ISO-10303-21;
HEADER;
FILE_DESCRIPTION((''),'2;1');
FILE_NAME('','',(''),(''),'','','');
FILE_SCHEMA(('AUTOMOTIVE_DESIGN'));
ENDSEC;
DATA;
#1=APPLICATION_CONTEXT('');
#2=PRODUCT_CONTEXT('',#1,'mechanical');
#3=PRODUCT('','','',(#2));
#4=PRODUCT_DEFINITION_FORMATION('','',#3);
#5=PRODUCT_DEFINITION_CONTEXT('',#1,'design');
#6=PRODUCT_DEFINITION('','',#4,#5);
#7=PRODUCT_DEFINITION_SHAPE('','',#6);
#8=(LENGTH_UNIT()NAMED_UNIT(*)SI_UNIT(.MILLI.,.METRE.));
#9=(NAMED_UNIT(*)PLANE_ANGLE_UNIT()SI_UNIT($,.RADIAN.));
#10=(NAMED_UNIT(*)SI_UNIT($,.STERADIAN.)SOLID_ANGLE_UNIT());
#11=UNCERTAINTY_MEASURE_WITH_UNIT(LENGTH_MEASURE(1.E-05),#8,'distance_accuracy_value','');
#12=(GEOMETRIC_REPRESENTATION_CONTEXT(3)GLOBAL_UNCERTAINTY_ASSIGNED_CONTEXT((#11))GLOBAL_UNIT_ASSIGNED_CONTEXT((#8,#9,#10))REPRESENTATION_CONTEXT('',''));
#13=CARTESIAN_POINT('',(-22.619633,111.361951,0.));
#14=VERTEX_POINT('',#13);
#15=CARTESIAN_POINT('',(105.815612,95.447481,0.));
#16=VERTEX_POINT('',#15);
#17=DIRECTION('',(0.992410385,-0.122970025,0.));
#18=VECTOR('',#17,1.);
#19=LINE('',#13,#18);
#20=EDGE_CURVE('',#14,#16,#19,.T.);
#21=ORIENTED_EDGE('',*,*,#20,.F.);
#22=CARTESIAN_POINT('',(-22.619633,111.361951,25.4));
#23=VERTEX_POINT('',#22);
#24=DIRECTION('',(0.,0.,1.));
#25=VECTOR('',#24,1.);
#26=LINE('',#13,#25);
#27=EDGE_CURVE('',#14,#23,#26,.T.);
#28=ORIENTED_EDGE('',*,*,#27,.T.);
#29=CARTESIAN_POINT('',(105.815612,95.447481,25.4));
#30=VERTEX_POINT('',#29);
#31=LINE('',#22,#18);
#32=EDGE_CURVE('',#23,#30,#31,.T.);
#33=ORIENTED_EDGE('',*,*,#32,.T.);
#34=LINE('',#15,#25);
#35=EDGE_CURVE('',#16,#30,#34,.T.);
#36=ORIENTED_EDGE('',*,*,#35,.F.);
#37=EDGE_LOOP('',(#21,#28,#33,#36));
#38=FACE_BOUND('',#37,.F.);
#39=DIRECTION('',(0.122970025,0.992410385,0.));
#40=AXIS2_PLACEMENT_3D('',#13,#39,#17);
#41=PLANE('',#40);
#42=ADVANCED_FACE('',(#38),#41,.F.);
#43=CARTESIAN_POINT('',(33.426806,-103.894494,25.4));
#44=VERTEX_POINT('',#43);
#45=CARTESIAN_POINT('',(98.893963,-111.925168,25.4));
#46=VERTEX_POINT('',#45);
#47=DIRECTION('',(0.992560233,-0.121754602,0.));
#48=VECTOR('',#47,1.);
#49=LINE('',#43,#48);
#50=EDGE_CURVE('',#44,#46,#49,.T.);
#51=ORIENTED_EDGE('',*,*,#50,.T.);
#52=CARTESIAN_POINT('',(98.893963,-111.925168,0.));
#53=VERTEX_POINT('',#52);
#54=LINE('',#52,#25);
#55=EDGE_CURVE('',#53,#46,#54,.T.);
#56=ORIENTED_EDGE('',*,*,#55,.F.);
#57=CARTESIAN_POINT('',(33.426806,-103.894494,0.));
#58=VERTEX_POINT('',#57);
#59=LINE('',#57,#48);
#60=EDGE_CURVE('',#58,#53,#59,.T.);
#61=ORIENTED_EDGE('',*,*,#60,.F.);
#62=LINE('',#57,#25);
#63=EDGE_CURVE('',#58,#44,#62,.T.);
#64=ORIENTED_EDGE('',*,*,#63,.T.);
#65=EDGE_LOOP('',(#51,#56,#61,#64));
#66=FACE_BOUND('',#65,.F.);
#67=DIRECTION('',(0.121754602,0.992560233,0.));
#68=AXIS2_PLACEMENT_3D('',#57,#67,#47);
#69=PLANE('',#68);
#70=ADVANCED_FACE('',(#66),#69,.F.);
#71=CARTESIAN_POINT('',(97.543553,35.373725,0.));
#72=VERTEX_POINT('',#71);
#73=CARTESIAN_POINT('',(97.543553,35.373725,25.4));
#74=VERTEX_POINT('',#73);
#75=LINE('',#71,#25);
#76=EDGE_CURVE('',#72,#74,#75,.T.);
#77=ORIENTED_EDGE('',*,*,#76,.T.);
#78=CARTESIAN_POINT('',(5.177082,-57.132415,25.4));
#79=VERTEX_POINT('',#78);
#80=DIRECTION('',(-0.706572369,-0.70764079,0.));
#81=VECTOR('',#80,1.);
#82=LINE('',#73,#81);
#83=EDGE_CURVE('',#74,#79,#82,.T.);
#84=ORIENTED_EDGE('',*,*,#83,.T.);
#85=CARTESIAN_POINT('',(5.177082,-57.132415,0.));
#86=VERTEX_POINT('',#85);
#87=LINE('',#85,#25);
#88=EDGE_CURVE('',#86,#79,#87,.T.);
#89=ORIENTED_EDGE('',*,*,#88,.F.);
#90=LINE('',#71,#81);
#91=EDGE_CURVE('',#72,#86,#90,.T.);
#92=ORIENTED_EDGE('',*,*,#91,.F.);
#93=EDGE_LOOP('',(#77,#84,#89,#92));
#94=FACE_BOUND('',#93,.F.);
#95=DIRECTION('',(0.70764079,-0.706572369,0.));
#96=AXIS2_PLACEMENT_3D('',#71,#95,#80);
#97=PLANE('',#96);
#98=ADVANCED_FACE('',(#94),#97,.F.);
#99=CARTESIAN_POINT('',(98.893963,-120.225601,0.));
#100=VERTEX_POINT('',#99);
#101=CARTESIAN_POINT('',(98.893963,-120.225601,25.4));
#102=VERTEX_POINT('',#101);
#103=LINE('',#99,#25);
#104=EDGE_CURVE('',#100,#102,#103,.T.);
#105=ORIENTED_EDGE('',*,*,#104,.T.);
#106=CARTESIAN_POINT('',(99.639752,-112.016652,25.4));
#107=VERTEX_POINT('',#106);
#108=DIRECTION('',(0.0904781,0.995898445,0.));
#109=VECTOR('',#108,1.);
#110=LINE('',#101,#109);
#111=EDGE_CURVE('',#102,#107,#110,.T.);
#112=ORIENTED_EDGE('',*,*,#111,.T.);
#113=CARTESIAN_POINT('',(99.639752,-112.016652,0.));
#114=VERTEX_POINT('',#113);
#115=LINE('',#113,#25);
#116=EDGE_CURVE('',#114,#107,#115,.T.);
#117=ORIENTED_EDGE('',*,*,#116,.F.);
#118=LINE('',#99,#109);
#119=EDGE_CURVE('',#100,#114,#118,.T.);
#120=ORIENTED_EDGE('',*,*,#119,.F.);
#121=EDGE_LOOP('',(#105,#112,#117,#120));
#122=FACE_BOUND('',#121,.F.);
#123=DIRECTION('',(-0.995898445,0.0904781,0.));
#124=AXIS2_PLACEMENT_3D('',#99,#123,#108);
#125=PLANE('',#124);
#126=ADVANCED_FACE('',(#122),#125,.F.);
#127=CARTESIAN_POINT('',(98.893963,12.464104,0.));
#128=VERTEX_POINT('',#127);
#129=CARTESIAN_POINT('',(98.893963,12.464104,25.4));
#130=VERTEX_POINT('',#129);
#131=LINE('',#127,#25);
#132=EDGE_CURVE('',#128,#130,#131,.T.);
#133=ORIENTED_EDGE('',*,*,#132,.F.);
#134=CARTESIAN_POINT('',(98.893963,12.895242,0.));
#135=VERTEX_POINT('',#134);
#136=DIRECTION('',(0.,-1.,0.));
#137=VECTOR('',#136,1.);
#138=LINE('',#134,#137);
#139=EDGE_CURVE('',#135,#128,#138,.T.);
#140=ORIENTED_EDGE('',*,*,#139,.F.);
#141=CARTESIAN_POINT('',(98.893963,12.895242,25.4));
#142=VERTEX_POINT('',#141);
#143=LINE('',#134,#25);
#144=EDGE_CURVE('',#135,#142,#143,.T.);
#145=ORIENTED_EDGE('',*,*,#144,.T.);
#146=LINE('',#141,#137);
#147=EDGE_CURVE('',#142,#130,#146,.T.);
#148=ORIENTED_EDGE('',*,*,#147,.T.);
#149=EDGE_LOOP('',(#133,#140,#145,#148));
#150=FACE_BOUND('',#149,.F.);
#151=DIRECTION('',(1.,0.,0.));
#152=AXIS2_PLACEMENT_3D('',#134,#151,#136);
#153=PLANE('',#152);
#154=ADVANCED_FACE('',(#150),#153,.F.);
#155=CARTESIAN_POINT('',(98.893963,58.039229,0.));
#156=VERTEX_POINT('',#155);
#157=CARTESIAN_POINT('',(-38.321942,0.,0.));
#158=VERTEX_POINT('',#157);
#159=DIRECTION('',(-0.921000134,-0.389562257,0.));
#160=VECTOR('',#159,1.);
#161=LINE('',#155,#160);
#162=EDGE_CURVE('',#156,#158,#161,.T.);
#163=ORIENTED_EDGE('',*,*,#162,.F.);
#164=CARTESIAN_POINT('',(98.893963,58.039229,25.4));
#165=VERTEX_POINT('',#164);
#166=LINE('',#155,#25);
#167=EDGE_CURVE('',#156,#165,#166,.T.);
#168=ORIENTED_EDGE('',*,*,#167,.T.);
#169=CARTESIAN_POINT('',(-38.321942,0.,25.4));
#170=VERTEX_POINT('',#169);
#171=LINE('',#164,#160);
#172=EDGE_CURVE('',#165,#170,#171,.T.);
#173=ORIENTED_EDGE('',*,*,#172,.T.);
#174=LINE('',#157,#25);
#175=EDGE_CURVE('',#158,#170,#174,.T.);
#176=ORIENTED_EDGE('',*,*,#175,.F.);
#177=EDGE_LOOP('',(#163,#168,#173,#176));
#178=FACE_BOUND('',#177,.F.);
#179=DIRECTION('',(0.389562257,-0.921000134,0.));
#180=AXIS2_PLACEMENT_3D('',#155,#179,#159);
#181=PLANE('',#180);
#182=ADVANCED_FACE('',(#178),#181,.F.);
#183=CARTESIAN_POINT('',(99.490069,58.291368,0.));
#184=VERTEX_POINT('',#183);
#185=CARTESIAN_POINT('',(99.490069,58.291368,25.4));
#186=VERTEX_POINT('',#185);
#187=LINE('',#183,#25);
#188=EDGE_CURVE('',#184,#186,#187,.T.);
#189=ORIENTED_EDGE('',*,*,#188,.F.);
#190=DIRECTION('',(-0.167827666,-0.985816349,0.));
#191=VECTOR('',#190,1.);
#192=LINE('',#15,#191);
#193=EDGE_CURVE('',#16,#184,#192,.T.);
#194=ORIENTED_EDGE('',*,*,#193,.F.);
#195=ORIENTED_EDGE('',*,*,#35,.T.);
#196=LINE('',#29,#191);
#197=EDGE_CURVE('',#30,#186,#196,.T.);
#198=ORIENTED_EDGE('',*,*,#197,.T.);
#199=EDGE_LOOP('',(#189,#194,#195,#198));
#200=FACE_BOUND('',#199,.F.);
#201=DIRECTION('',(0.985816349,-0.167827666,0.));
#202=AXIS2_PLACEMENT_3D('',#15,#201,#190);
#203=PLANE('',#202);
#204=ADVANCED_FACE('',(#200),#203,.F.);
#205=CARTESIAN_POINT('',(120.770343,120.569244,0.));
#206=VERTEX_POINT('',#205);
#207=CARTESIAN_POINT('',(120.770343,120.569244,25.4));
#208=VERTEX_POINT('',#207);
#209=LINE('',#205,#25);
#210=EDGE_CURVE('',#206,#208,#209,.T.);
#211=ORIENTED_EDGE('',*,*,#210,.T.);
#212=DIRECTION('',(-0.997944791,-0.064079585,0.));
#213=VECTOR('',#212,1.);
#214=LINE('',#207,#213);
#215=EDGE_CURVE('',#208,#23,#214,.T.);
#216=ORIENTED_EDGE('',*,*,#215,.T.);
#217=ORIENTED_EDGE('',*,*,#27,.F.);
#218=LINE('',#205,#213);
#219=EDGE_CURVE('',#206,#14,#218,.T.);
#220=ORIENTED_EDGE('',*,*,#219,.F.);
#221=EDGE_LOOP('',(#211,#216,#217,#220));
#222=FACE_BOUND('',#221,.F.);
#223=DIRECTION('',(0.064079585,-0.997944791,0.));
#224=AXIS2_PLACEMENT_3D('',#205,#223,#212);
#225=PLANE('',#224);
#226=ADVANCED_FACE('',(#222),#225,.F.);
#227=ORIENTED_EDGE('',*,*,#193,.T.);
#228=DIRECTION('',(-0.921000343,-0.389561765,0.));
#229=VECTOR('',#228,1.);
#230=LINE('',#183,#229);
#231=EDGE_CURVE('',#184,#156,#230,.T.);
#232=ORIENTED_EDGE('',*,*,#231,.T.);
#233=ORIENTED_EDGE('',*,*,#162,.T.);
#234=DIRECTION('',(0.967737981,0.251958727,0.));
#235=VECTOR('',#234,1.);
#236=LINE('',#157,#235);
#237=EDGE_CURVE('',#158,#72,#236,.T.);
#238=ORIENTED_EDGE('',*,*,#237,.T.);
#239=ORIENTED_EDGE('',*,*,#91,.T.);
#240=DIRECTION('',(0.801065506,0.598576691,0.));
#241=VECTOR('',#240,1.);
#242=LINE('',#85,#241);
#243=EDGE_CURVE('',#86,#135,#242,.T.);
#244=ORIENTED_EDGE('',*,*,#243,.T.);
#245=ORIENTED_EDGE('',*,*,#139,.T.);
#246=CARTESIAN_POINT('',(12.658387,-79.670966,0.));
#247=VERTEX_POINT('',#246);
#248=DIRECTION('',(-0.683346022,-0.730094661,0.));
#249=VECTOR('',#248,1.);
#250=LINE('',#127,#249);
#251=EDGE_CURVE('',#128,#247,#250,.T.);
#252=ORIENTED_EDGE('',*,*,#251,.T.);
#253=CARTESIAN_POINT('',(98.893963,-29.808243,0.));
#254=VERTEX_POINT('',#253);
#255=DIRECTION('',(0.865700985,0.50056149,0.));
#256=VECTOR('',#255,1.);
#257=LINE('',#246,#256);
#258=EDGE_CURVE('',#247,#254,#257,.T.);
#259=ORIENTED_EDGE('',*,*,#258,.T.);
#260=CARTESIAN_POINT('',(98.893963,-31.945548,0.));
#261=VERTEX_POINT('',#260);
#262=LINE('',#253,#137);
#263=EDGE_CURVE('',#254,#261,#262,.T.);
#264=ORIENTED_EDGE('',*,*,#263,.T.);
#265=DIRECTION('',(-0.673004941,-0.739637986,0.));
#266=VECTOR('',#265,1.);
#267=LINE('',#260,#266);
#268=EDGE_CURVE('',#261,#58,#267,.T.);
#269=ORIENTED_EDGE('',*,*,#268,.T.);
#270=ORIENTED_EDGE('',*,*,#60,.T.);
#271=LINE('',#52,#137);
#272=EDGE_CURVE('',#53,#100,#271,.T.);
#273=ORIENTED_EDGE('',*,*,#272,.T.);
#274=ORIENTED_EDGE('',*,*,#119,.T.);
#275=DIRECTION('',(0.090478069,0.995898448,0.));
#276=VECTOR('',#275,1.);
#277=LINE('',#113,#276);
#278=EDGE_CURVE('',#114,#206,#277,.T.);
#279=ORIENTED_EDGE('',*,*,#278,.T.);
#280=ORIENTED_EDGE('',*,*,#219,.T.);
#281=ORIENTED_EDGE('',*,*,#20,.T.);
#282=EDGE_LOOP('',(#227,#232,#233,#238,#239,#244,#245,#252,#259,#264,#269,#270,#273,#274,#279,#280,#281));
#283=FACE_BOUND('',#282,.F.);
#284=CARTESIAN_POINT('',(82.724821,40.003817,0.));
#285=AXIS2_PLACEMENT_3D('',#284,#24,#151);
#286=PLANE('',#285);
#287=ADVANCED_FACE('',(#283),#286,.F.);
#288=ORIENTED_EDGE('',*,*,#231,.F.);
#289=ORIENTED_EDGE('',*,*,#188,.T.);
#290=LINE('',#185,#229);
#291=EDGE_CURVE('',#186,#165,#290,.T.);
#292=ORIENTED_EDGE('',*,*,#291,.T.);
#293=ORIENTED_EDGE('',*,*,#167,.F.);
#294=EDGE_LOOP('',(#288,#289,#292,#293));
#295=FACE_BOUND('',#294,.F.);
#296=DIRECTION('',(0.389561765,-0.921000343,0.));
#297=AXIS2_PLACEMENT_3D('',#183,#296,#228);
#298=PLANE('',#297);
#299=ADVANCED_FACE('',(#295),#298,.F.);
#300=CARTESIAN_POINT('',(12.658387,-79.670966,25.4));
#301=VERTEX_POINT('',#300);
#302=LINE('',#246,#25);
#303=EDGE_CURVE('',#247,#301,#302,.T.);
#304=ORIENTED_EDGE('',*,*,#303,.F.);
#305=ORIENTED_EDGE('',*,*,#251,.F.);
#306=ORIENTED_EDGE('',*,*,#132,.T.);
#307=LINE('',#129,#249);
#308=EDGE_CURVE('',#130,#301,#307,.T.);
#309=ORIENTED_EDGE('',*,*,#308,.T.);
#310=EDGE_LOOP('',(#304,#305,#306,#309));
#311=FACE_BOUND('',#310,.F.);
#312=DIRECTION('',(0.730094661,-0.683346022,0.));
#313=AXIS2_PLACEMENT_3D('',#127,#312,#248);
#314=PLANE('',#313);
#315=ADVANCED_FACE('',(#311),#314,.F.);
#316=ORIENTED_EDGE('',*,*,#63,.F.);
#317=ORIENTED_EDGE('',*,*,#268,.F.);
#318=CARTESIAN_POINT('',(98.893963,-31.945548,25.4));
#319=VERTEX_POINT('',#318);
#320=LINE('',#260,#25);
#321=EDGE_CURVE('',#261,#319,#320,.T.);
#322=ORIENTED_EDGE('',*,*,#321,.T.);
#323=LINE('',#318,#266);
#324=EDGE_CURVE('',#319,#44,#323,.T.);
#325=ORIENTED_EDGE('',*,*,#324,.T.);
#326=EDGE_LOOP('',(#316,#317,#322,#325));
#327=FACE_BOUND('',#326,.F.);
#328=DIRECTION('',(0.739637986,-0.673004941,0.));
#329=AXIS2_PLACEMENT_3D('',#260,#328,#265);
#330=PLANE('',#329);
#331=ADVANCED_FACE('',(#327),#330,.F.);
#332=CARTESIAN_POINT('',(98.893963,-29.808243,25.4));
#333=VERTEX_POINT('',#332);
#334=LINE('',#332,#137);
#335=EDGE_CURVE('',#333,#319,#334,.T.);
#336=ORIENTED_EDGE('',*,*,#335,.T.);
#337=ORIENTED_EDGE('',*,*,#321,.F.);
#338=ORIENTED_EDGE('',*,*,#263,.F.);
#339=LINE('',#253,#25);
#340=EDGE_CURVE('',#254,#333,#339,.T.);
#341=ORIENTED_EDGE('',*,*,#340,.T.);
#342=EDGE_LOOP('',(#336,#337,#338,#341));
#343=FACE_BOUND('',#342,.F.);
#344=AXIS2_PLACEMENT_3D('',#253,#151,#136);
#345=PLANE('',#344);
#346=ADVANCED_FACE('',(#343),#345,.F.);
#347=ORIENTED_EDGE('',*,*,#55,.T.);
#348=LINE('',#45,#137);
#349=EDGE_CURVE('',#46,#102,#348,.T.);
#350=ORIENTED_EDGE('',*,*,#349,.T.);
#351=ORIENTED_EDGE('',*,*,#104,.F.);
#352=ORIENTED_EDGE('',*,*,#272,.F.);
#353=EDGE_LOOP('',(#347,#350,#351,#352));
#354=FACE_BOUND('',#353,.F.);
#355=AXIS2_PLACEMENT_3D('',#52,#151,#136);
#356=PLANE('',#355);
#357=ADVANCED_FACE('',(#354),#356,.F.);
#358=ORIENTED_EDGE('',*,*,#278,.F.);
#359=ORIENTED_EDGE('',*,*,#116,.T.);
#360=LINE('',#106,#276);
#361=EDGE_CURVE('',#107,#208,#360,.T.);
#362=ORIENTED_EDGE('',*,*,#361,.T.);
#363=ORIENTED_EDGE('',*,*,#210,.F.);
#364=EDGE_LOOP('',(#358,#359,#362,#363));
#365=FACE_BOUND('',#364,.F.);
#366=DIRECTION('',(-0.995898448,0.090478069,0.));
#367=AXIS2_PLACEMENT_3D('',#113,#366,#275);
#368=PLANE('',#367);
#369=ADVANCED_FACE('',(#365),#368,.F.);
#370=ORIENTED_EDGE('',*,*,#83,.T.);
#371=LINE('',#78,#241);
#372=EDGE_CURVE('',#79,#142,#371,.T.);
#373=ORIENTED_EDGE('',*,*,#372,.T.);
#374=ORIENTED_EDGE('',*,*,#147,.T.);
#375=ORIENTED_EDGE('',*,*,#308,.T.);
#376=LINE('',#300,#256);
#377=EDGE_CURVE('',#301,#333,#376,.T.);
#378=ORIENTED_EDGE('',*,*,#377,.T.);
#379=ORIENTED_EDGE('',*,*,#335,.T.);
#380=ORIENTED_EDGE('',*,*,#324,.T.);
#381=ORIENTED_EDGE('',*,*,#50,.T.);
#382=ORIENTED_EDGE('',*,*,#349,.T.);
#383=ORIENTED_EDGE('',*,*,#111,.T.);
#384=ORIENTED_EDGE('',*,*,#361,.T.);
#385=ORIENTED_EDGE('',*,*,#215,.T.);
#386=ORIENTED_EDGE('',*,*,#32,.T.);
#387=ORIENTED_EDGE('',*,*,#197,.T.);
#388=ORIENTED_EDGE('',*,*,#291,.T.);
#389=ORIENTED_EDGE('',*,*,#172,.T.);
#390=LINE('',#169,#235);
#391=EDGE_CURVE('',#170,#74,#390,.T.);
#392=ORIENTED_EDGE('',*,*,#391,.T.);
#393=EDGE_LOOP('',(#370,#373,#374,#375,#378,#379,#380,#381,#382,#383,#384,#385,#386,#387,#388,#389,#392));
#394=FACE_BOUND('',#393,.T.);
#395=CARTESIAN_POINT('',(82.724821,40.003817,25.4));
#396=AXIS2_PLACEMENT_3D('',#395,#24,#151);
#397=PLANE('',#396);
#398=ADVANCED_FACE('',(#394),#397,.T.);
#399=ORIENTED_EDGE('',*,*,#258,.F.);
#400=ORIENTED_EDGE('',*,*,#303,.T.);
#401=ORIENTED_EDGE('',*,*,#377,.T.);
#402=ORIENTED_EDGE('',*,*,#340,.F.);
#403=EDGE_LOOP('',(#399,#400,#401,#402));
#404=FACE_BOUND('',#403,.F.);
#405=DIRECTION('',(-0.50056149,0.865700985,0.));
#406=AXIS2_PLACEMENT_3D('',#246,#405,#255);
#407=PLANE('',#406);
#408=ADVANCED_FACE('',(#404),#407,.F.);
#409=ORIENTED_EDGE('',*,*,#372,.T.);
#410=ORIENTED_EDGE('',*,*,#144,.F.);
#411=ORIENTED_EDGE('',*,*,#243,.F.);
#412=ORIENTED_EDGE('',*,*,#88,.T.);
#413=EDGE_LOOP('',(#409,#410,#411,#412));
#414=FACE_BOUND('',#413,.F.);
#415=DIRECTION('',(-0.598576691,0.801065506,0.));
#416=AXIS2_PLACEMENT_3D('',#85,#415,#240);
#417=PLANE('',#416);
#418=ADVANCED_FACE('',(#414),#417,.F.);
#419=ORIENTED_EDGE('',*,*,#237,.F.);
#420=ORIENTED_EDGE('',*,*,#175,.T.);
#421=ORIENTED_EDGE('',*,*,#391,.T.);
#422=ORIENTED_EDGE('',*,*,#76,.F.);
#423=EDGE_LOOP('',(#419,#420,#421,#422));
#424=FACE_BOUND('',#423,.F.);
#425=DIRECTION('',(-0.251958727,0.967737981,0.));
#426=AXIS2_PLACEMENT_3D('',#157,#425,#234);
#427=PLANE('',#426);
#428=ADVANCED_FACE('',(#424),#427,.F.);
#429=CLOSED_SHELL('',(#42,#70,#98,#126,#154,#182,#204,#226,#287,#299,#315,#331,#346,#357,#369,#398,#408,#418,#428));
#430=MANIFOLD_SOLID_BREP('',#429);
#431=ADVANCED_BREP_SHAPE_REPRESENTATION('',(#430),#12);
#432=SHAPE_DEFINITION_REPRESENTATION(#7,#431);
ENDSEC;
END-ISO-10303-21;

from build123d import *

# Parameters (mm, degrees)
F1_DEPTH = 25.4


with BuildPart() as f1:
    # F0 (on Top) → F1 (new body)
    with BuildSketch(Plane.XY):
        Polygon((99.490069, 58.291368), (98.893963, 58.039229), (98.893963, 12.895242), (100.236297, 13.898268), (98.893963, 12.464104), (98.893963, -29.808243), (102.997907, -27.43528), (98.893963, -31.945548), (98.893963, -111.925168), (99.639752, -112.016652), (120.770343, 120.569244), (-22.619633, 111.361951), (105.815612, 95.447481), align=None)
        Polygon((98.893963, 12.895242), (98.893963, 58.039229), (-38.321942, 0), (97.543553, 35.373725), (5.177082, -57.132415), align=None)
        Polygon((100.236297, 13.898268), (98.893963, 12.895242), (98.893963, 12.464104), align=None)
        Polygon((98.893963, -29.808243), (98.893963, 12.464104), (12.658387, -79.670966), align=None)
        Polygon((102.997907, -27.43528), (98.893963, -29.808243), (98.893963, -31.945548), align=None)
        Polygon((98.893963, -111.925168), (98.893963, -31.945548), (33.426806, -103.894494), align=None)
        Polygon((99.639752, -112.016652), (98.893963, -111.925168), (98.893963, -120.225601), align=None)
    extrude(amount=F1_DEPTH)


solid = f1.part
